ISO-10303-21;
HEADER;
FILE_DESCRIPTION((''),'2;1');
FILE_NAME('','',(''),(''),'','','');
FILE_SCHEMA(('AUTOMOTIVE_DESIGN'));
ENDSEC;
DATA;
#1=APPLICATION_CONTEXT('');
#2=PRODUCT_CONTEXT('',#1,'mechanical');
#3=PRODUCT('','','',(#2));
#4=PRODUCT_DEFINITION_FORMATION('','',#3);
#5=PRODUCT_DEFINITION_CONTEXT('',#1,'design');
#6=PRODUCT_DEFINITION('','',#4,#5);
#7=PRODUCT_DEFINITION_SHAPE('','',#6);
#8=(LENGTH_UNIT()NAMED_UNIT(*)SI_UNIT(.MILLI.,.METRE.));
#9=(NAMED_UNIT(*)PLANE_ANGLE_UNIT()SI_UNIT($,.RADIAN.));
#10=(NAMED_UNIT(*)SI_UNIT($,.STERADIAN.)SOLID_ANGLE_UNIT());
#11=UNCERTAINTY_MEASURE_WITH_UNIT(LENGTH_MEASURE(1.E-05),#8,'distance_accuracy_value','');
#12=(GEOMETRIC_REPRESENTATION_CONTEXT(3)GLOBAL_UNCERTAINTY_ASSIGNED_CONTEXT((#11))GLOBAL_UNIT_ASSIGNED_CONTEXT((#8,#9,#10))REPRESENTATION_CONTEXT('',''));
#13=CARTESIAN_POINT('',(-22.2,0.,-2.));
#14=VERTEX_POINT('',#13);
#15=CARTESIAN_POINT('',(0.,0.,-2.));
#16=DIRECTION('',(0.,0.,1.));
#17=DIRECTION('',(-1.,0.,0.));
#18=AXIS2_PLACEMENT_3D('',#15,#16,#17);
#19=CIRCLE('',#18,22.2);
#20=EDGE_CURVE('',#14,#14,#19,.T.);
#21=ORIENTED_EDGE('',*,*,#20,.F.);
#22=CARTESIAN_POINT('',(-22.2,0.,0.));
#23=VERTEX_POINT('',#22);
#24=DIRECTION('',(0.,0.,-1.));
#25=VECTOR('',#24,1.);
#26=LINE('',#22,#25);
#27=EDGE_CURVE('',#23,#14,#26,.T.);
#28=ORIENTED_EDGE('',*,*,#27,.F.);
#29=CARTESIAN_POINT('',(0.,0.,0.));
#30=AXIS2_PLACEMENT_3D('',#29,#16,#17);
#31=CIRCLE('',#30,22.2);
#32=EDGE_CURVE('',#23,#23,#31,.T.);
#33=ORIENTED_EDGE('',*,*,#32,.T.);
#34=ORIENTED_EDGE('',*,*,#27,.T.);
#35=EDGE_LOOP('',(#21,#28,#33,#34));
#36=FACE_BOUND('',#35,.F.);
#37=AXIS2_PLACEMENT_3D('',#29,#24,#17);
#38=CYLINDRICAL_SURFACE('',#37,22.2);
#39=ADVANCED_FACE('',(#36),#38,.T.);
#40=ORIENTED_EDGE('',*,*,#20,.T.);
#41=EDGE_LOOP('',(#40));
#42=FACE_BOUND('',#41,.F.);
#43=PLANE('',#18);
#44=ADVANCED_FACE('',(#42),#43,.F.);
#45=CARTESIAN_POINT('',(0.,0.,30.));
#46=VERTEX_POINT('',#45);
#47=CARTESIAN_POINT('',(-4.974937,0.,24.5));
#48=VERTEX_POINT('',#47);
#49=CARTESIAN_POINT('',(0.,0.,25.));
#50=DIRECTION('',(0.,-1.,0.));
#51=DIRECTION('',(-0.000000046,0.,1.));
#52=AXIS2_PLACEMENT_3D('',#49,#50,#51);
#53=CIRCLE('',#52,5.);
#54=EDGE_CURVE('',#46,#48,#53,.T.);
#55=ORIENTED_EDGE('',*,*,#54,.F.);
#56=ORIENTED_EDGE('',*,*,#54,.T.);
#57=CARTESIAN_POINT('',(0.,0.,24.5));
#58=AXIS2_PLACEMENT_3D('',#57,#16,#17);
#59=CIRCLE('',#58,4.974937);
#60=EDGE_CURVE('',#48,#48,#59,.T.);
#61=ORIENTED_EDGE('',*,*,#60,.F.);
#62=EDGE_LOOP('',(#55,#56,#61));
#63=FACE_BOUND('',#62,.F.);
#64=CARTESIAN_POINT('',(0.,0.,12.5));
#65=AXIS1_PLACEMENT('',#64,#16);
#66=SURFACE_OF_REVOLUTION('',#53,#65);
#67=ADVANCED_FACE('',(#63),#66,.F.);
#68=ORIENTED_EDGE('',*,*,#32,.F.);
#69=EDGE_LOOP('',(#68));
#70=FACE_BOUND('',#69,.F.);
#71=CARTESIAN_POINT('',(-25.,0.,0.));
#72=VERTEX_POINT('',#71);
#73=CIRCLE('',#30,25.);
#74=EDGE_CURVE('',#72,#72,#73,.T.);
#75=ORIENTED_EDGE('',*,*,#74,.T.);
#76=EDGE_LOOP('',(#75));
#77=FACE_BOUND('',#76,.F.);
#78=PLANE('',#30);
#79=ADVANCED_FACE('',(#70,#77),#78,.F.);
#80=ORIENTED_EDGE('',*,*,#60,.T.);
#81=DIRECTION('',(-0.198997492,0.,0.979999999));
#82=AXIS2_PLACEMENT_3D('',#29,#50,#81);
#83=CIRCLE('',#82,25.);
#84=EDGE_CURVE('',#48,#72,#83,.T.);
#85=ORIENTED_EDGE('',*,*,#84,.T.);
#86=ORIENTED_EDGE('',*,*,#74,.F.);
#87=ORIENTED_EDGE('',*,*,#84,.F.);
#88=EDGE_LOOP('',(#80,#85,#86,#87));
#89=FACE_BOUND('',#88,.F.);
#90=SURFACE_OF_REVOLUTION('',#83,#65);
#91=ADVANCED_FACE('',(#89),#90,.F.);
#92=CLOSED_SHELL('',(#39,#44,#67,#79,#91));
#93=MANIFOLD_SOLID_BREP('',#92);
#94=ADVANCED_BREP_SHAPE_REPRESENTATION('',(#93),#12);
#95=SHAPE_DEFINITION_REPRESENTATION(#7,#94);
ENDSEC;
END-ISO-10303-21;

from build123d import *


with BuildPart() as f1:
    # F0 (on Front) → F1 (revolve)
    with BuildSketch(Plane.XZ):
        with BuildLine():
            ThreePointArc((0, 30), (-3.708099, 28.354102), (-4.974937, 24.5))
            ThreePointArc((-4.974937, 24.5), (-19.356826, 15.821292), (-25, 0))
            Line((-25, 0), (-22.2, 0))
            Line((-22.2, 0), (-22.2, -2))
            Line((-22.2, -2), (0, -2))
            Line((0, -2), (0, 0))
            Line((0, 0), (0, 25))
            Line((0, 25), (0, 30))
        make_face()
    revolve(axis=Axis((0, 0, 12.5), (0, 0, 1)))


solid = f1.part
